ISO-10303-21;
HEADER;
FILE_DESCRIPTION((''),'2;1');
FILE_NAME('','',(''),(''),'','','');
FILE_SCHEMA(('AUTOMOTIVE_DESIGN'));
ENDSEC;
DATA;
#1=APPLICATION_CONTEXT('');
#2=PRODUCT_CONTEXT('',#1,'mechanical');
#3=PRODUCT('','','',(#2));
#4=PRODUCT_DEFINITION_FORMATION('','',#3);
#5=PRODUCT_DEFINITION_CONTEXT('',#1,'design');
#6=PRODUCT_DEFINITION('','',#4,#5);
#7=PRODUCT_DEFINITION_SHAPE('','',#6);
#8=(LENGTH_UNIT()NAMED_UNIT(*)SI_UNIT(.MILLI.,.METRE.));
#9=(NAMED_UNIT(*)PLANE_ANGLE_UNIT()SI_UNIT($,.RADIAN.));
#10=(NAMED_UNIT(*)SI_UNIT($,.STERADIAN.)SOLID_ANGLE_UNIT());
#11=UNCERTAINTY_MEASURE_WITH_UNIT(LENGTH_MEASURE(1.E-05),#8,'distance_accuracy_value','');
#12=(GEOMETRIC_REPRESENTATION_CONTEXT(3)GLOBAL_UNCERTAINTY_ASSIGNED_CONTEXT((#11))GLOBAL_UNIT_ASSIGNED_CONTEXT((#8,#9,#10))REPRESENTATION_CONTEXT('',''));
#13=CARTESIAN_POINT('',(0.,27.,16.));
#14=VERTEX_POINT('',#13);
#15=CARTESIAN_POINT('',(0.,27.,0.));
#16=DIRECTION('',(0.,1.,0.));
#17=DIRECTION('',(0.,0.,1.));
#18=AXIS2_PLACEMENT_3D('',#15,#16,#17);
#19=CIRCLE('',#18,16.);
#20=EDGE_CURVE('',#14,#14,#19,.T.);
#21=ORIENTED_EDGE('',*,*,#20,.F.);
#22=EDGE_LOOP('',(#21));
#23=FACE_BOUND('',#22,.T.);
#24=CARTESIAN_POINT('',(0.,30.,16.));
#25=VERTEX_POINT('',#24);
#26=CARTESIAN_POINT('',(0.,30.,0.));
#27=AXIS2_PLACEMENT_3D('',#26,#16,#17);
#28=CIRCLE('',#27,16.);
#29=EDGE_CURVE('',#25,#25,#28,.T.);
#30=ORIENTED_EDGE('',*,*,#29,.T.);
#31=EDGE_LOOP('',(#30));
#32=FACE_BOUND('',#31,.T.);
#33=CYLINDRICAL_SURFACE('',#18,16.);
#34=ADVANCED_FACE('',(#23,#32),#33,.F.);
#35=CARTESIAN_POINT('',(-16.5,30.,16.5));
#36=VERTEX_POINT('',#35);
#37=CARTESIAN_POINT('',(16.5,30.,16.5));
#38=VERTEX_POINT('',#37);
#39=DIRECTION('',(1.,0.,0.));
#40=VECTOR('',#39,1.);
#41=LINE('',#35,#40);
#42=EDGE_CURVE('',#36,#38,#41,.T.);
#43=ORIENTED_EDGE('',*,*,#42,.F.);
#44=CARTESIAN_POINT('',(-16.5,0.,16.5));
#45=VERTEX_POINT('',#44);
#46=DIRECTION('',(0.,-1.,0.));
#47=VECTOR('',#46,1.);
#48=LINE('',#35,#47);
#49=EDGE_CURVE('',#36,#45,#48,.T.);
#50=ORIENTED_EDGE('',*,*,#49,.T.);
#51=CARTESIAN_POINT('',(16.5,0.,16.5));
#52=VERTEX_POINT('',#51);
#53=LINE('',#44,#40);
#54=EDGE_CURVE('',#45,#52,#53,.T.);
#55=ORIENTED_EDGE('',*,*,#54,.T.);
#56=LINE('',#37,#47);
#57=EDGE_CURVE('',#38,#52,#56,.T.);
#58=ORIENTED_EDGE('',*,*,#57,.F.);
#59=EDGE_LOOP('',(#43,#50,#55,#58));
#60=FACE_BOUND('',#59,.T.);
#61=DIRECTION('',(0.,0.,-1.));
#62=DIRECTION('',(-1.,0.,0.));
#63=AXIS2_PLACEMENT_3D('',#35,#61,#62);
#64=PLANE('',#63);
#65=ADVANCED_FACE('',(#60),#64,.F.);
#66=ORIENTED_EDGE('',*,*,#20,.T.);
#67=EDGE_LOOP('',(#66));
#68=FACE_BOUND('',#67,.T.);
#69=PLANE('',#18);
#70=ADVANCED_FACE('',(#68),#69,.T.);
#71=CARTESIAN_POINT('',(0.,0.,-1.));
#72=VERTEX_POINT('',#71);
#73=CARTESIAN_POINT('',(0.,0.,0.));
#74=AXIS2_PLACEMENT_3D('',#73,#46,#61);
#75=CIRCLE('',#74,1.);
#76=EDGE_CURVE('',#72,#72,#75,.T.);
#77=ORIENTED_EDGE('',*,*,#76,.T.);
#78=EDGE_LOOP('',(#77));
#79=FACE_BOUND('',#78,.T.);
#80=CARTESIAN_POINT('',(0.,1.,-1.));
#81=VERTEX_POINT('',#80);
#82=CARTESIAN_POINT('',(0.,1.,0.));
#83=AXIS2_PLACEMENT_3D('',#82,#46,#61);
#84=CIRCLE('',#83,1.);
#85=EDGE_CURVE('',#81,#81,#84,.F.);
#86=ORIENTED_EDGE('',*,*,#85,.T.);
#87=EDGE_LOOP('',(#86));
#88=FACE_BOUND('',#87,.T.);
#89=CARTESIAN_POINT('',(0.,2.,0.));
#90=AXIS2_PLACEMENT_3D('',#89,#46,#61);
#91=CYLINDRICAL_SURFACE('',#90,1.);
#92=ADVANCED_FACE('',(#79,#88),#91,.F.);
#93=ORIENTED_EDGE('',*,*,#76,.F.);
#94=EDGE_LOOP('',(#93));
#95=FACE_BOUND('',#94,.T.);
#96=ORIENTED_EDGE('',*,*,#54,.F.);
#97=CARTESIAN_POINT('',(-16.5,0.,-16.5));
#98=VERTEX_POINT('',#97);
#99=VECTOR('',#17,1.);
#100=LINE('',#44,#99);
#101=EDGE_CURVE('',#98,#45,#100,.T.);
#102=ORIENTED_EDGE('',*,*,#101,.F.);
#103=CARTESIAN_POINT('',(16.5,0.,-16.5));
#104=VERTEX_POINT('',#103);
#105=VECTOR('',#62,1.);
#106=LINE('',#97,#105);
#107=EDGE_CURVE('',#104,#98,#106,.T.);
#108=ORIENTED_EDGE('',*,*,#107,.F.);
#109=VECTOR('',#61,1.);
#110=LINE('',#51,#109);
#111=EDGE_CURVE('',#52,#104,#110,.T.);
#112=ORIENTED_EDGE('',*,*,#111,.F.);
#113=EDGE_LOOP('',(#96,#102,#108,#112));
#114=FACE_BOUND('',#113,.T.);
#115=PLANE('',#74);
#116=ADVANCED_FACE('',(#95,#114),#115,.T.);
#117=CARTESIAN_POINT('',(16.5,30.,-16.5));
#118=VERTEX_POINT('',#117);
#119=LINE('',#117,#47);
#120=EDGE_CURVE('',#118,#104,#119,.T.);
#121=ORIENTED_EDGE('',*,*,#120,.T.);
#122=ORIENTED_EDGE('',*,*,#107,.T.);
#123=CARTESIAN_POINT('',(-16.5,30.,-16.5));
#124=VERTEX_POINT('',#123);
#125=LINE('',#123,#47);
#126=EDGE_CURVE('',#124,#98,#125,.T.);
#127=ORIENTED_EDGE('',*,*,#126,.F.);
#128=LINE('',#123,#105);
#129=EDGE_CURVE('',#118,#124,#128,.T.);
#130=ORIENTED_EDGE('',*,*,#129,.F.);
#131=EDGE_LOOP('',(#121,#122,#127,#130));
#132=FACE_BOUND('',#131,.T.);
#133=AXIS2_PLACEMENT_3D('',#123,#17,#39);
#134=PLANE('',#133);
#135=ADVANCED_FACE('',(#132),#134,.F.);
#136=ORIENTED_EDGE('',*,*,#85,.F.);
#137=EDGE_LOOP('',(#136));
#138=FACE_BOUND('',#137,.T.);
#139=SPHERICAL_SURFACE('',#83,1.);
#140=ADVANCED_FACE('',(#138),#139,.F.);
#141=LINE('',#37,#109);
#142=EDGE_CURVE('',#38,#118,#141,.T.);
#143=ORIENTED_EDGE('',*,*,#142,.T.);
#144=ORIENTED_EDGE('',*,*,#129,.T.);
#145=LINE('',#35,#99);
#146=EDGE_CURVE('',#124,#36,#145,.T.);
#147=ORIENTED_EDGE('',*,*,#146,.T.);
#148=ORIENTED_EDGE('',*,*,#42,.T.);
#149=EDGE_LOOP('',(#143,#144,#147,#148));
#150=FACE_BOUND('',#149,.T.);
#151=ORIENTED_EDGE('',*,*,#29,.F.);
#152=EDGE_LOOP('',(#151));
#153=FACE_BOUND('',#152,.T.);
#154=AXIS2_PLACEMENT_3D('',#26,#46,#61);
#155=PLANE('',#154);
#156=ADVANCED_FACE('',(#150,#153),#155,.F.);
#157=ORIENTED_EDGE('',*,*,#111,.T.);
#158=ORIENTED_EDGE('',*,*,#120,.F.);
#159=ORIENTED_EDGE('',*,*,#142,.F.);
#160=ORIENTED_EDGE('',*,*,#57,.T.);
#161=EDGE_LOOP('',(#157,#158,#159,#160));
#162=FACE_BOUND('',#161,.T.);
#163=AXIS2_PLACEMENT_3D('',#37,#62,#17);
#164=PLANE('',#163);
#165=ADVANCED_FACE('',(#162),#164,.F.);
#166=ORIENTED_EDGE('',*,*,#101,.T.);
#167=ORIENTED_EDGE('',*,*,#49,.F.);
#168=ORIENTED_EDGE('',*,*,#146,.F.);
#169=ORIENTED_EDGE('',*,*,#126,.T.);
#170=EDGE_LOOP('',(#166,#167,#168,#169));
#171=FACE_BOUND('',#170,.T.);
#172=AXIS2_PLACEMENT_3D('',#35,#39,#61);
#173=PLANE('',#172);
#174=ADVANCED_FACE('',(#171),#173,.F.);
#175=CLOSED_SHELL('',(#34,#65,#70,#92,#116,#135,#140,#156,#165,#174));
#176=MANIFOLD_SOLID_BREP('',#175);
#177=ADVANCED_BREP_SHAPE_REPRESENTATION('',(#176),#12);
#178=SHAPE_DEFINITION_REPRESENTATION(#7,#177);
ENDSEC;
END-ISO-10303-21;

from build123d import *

# Parameters (mm, degrees)
SKETCH1_W           = 33
SKETCH1_H           = 33
BOSS_EXTRUDE1_DEPTH = 30
SKETCH2_R           = 16
CUT_EXTRUDE1_DEPTH  = 3
SKETCH3_R           = 1
CUT_EXTRUDE2_DEPTH  = 2
FILLET1_R           = 1


with BuildPart() as part:
    # Sketch1 → Boss-Extrude1 (new body)
    with BuildSketch(Plane(origin=(0, 0, 0), x_dir=(1, 0, 0), z_dir=(0, 1, 0))):
        Rectangle(SKETCH1_W, SKETCH1_H)
    extrude(amount=BOSS_EXTRUDE1_DEPTH)

    # Sketch2 → Cut-Extrude1 (cut)
    with BuildSketch(Plane(origin=(0, 30, 0), x_dir=(1, 0, 0), z_dir=(0, 1, 0))):
        Circle(SKETCH2_R)
    extrude(amount=-CUT_EXTRUDE1_DEPTH, mode=Mode.SUBTRACT)

    # Sketch3 → Cut-Extrude2 (cut)
    with BuildSketch(Plane.XZ):
        Circle(SKETCH3_R)
    extrude(amount=-CUT_EXTRUDE2_DEPTH, mode=Mode.SUBTRACT)

    # Fillet1
    fillet1_edges = [part.edges().sort_by_distance(p)[0] for p in [
        (-1, 2, 0),
    ]]
    fillet(fillet1_edges, radius=FILLET1_R)


solid = part.part
